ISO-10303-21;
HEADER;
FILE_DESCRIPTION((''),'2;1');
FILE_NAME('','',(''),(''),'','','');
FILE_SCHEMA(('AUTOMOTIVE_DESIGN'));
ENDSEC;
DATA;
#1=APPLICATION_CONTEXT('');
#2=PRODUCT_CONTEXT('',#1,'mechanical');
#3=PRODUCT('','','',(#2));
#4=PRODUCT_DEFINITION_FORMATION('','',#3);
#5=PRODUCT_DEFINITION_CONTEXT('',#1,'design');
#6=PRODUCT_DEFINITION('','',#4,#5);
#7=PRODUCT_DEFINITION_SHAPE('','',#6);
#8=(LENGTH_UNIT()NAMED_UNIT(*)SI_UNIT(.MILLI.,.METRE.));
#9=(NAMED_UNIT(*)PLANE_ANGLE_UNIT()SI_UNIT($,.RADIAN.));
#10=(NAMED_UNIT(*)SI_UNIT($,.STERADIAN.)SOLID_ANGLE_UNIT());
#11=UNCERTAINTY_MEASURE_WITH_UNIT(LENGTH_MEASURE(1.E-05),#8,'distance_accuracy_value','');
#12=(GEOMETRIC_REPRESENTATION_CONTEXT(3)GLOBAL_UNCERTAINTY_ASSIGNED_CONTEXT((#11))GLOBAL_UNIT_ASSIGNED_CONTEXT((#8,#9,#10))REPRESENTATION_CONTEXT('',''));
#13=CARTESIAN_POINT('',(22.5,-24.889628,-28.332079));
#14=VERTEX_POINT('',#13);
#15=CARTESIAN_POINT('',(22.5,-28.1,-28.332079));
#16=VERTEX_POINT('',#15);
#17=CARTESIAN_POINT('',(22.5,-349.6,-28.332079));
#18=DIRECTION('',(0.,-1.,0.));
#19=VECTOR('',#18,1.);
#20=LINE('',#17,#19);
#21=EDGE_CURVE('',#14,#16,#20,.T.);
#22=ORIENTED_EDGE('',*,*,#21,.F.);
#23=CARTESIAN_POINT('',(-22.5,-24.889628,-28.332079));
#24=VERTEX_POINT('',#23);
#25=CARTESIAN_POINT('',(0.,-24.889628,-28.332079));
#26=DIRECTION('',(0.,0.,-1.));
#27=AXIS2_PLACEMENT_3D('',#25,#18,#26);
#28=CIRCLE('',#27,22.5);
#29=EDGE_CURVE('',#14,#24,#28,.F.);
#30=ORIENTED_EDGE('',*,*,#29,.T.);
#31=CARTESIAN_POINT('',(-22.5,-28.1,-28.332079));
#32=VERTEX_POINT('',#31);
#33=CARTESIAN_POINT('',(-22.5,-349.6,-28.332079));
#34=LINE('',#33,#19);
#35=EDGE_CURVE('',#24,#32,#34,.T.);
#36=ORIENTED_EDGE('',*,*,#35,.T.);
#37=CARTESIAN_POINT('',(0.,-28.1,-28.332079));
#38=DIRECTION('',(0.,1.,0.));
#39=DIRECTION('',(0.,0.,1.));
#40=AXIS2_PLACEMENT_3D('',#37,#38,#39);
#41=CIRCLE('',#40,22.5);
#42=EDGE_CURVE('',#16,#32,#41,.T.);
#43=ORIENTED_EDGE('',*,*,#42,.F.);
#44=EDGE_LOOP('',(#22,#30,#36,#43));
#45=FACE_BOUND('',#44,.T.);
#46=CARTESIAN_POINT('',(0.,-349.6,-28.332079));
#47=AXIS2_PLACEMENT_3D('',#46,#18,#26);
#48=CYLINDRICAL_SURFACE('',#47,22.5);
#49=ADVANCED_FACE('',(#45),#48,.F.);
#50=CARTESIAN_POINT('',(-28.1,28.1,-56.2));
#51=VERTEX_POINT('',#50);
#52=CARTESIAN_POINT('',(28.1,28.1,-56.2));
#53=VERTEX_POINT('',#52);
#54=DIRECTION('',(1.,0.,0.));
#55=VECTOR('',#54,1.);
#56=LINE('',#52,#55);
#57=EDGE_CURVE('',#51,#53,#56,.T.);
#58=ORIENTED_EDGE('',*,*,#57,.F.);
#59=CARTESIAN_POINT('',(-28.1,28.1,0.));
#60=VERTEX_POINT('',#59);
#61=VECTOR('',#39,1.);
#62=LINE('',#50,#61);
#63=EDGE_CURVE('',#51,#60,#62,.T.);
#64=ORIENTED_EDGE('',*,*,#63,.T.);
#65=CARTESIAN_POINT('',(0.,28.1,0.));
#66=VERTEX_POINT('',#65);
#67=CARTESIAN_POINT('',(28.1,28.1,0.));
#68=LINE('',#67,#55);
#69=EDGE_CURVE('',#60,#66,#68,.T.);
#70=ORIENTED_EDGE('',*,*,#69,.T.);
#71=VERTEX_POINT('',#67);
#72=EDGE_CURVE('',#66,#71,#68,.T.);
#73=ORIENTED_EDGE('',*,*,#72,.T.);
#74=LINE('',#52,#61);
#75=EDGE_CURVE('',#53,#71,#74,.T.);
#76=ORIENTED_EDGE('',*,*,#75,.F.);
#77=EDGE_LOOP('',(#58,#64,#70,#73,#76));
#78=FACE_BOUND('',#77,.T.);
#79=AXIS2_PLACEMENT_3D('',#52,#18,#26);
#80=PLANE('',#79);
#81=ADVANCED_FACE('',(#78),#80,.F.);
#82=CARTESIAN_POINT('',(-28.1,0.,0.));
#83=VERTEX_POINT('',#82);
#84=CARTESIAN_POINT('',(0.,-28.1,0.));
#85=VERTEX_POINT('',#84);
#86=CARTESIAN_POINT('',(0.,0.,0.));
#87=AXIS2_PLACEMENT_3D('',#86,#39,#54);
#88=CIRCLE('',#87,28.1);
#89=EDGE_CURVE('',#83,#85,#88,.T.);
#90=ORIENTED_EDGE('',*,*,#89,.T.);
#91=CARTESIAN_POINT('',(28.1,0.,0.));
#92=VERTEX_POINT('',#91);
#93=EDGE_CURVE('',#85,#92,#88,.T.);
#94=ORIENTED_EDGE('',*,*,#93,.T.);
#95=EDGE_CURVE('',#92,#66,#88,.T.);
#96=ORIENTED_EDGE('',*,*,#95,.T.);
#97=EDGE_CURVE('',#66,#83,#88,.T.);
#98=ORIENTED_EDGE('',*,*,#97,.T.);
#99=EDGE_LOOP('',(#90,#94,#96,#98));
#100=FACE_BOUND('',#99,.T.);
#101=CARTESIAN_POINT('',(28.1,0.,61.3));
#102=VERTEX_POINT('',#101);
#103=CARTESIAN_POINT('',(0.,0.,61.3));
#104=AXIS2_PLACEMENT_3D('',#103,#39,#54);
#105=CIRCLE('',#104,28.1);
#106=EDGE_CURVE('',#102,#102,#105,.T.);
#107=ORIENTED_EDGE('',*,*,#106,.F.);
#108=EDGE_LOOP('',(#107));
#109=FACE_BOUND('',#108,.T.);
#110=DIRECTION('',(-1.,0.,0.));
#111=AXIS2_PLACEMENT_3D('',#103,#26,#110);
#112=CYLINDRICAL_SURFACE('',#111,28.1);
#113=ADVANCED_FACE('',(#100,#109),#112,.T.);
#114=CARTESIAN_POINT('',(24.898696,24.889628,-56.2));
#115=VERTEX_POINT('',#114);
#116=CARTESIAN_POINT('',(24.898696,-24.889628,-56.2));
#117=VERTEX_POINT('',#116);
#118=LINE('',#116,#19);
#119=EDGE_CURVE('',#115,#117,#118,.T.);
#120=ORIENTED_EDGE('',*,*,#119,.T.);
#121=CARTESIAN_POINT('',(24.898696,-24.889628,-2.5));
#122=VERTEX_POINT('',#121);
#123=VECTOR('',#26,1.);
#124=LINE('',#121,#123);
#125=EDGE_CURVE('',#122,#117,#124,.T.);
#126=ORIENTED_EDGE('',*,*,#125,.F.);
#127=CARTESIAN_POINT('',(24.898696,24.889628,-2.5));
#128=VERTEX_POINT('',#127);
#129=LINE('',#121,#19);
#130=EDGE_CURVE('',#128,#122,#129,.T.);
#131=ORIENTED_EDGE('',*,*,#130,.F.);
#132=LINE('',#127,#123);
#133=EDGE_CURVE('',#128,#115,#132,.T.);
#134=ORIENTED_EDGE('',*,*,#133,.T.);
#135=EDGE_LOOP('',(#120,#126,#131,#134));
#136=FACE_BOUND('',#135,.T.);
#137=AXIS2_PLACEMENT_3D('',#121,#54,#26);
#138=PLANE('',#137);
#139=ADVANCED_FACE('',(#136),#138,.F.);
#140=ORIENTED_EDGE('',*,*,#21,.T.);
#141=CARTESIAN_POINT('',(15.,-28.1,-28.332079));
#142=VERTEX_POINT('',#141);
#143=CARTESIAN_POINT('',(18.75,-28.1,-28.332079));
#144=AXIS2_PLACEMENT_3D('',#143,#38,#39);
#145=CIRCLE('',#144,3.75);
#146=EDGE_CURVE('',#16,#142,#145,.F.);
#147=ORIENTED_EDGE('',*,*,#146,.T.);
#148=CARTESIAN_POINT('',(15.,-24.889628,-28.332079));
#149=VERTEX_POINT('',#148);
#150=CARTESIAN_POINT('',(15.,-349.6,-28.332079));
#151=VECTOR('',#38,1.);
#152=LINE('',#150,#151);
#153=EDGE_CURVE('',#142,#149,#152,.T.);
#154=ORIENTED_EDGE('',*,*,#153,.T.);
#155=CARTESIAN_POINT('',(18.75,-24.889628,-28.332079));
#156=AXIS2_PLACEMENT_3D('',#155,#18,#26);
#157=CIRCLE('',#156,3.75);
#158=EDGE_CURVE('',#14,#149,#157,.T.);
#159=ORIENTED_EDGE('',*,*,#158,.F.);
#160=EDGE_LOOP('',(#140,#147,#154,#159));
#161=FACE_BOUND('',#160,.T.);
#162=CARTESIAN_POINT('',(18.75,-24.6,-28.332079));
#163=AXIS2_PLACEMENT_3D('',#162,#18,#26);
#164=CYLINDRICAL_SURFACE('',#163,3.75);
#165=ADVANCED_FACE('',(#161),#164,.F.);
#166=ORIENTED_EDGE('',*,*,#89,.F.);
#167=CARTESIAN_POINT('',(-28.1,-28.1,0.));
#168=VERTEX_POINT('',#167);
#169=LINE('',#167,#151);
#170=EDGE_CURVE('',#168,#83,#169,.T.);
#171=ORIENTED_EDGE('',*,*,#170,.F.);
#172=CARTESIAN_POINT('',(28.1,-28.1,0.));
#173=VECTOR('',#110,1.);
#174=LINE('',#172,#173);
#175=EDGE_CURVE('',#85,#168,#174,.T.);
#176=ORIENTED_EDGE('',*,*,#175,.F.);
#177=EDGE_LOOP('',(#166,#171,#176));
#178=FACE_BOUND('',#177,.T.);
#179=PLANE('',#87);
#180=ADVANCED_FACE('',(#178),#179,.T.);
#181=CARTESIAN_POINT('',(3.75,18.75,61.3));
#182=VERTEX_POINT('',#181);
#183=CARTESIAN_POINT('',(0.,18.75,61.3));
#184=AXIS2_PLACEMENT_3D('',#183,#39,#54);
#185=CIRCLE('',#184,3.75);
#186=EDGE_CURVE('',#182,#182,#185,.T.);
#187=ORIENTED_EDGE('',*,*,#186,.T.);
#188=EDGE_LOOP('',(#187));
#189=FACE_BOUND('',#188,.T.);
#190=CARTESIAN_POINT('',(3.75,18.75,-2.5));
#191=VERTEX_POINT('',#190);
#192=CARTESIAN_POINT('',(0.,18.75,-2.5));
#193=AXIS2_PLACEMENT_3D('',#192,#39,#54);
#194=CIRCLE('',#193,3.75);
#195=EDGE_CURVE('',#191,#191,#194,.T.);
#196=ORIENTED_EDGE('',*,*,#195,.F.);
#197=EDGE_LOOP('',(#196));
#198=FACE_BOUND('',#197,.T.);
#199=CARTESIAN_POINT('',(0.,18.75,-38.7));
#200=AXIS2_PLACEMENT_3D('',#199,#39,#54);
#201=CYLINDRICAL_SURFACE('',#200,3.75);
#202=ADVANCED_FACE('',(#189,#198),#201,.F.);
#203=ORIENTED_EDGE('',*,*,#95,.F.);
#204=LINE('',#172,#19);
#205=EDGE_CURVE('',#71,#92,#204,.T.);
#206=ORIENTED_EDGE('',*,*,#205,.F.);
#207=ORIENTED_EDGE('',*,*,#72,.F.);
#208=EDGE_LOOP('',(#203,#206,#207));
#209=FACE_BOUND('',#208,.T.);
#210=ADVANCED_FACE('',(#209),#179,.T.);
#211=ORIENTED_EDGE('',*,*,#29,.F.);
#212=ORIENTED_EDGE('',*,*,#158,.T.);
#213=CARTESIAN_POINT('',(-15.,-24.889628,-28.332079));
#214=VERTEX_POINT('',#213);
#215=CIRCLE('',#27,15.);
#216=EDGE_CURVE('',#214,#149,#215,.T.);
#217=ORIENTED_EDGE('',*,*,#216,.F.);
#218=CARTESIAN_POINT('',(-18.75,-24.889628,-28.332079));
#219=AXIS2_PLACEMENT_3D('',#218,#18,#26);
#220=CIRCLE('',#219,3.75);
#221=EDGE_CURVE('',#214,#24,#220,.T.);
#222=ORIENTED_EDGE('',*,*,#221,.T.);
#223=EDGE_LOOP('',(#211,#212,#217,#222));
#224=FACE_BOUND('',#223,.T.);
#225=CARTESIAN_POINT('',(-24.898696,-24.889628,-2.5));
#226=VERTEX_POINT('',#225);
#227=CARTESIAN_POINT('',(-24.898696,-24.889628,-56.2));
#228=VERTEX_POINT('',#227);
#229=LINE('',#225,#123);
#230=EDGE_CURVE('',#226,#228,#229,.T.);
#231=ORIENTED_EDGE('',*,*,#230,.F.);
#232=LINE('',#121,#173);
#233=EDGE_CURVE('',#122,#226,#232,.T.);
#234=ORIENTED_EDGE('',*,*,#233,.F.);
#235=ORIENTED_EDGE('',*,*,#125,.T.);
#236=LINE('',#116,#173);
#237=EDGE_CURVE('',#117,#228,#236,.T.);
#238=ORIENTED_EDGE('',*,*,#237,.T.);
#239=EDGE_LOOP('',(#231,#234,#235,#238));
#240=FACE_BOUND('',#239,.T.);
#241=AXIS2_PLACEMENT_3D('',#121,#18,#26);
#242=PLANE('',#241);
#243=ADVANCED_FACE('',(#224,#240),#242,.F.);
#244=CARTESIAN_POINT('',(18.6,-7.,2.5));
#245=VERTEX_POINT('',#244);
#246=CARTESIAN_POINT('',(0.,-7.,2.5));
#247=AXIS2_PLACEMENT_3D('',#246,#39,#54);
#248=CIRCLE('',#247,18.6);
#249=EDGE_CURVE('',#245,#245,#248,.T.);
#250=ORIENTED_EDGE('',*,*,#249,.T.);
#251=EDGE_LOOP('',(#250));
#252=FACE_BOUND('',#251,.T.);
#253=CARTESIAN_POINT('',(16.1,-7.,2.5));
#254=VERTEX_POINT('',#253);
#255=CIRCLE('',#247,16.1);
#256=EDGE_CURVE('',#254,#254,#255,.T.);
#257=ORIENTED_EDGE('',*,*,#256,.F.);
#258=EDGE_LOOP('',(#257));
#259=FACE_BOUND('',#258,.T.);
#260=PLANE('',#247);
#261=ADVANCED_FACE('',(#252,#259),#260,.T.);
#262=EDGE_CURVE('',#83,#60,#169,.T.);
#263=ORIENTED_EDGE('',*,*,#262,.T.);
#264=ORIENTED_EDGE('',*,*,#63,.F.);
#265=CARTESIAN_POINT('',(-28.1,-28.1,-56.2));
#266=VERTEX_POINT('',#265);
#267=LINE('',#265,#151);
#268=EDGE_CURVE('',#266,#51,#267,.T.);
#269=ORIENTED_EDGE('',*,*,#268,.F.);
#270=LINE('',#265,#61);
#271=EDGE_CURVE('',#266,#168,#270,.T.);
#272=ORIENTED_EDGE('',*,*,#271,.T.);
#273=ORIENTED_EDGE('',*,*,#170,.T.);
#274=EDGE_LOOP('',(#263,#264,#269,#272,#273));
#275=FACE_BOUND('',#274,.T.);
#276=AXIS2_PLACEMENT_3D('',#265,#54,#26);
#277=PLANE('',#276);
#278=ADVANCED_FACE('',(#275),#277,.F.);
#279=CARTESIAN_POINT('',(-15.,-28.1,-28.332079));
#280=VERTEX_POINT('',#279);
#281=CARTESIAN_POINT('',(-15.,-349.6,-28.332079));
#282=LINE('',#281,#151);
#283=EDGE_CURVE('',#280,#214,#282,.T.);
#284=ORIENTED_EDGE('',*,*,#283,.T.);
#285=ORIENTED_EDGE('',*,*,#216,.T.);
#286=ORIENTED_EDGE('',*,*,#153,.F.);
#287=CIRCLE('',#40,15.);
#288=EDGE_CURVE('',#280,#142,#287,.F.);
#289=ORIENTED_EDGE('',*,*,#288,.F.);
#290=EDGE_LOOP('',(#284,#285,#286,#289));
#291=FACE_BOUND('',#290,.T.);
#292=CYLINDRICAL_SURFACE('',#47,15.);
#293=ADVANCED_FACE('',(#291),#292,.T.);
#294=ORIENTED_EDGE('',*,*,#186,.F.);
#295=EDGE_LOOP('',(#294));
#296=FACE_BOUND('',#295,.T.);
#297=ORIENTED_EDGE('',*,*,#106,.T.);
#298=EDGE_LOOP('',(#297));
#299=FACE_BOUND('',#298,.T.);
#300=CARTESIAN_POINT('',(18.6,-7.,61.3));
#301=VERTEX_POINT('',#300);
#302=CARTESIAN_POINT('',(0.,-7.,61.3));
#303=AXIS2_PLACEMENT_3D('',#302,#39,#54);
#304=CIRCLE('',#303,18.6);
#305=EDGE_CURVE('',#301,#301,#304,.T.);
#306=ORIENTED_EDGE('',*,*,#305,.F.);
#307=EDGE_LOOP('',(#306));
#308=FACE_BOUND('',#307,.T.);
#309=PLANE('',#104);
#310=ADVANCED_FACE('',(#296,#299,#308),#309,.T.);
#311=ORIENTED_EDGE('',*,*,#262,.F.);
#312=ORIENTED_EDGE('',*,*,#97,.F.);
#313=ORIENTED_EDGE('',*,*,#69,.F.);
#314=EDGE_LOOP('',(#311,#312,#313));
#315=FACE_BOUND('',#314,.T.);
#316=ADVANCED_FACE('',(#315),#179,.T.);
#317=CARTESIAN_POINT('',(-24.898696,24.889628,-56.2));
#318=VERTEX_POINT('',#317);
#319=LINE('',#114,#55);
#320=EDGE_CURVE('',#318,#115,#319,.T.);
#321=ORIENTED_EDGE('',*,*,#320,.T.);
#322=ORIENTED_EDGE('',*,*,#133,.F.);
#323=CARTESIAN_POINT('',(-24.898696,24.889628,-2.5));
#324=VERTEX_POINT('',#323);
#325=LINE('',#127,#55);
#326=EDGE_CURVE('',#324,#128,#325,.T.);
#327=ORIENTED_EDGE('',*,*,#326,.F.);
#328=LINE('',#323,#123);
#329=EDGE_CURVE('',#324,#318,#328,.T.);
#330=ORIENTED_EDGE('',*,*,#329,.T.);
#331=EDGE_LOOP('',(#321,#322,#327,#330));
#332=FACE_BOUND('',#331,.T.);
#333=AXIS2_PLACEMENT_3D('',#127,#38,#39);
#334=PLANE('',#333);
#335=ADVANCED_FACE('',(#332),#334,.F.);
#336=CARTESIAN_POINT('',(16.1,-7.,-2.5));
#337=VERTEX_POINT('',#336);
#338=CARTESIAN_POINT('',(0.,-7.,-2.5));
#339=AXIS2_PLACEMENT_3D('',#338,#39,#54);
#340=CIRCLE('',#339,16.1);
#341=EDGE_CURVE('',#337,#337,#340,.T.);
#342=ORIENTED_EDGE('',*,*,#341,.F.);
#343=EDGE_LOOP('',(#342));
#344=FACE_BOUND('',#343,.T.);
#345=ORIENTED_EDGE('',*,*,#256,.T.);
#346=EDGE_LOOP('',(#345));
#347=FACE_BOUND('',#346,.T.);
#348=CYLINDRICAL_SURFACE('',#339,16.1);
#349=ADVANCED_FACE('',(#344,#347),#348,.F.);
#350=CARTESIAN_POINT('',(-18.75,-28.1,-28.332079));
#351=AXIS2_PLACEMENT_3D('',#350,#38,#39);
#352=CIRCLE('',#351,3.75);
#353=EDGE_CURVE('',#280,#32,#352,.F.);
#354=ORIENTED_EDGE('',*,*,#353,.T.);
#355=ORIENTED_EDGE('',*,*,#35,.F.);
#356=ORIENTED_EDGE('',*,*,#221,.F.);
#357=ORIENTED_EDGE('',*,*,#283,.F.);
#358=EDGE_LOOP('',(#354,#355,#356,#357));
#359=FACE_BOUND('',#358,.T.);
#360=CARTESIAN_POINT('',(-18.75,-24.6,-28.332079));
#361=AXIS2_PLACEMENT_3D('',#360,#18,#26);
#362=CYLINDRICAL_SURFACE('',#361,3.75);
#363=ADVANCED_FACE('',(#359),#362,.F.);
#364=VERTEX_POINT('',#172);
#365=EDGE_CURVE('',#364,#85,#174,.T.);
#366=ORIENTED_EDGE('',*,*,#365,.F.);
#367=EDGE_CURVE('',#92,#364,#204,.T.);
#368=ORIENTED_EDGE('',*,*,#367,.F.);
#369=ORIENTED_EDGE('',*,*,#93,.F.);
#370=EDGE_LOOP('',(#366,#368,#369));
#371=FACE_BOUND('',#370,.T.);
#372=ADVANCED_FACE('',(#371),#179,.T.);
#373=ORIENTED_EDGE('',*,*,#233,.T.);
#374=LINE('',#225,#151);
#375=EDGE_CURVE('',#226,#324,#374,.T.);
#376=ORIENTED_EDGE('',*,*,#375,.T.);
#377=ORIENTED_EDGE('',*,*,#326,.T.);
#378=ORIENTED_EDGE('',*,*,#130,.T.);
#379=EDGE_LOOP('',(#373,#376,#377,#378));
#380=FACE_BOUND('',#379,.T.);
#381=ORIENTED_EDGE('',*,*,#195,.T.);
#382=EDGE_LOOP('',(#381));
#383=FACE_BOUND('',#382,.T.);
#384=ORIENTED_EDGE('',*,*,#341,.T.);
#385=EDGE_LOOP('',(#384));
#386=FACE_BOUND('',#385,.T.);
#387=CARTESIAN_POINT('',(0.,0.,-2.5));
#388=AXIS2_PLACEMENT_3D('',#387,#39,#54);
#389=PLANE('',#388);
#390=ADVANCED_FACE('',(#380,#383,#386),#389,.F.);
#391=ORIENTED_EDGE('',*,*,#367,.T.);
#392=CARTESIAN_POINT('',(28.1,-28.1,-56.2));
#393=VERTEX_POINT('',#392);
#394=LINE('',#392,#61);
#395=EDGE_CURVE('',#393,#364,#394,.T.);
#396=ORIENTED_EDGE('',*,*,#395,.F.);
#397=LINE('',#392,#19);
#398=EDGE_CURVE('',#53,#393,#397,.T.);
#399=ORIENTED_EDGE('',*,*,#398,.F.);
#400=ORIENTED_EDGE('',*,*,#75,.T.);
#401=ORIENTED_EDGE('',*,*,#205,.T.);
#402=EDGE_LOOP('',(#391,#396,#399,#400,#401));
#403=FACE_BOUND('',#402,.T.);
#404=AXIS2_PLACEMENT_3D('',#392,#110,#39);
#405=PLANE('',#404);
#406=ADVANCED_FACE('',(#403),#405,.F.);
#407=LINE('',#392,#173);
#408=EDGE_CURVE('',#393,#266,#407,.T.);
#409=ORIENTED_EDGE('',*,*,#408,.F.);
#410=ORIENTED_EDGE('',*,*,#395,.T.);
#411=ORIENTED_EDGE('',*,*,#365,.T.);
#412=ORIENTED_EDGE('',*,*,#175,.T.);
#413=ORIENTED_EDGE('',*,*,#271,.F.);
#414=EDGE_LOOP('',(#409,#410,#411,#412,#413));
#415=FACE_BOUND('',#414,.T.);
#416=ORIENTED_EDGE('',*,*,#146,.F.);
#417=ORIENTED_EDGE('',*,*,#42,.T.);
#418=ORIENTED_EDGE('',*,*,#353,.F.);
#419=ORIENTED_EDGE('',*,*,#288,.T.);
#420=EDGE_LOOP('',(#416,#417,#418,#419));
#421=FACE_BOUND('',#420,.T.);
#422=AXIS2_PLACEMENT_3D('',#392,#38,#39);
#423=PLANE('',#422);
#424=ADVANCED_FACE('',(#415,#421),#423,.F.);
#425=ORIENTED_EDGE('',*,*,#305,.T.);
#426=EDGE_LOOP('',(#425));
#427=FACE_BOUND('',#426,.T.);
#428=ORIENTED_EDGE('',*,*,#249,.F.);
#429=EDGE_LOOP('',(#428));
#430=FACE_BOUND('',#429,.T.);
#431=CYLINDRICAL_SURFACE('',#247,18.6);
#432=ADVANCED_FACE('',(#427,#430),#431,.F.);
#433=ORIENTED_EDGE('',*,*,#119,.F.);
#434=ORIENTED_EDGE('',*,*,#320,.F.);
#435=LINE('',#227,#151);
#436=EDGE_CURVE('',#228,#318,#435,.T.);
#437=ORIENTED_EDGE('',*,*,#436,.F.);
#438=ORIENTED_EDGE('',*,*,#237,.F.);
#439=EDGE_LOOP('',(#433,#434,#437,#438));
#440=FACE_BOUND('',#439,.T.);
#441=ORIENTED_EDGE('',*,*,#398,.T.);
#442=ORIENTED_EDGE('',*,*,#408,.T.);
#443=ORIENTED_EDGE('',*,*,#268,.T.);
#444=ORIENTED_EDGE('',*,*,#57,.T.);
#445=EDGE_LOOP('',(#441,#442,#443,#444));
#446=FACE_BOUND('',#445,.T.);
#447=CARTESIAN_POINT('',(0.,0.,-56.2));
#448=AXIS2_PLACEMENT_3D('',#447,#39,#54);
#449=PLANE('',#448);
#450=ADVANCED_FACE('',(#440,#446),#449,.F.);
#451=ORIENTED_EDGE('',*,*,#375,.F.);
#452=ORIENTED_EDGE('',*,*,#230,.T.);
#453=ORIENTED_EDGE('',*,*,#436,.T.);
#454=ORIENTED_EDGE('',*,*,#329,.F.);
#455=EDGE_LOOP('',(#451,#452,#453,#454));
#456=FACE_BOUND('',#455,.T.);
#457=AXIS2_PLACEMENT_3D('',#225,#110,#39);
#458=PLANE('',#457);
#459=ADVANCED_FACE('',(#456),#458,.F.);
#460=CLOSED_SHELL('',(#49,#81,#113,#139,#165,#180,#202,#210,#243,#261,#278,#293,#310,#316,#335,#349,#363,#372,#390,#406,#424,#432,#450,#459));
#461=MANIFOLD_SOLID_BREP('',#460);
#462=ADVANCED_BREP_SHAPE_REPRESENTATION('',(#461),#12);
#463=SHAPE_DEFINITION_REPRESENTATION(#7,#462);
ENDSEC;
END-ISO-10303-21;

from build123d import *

# Parameters (mm, degrees)
SKETCH1_R           = 28.1
BOSS_EXTRUDE2_DEPTH = 61.3
SKETCH3_R           = 18.6
CUT_EXTRUDE2_DEPTH  = 58.8
SKETCH4_W           = 56.2
SKETCH4_H           = 56.2
BOSS_EXTRUDE3_DEPTH = 56.2
SKETCH5_R           = 16.1
CUT_EXTRUDE4_DEPTH  = 5
SKETCH6_W           = 49.797391422
SKETCH6_H           = 49.779255452
CUT_EXTRUDE5_DEPTH  = 53.7
SKETCH7_R           = 28.1
BOSS_EXTRUDE4_DEPTH = 321.5
CUT_EXTRUDE6_DEPTH  = 10
SKETCH9_R           = 3
CUT_EXTRUDE7_DEPTH  = 1
SKETCH10_R          = 6.025
CUT_EXTRUDE8_DEPTH  = 0.1
SKETCH18_R          = 3.75
CUT_EXTRUDE9_DEPTH  = 100
SKETCH19_R          = 3.75
CUT_EXTRUDE11_DEPTH = 325
SKETCH20_W          = 86.001348001
SKETCH20_H          = 379.283348588
CUT_EXTRUDE16_DEPTH = 171.5


with BuildPart() as part:
    # Sketch1 → Boss-Extrude2 (new body)
    with BuildSketch(Plane.XY):
        Circle(SKETCH1_R)
    extrude(amount=BOSS_EXTRUDE2_DEPTH)

    # Sketch3 → Cut-Extrude2 (cut)
    with BuildSketch(Plane.XY.offset(61.3)):
        with Locations((0, -7)):
            Circle(SKETCH3_R)
    extrude(amount=-CUT_EXTRUDE2_DEPTH, mode=Mode.SUBTRACT)

    # Sketch4 → Boss-Extrude3 (add)
    with BuildSketch(Plane(origin=(0, 0, 0), x_dir=(-1, 0, 0), z_dir=(0, 0, -1))):
        Rectangle(SKETCH4_W, SKETCH4_H)
    extrude(amount=BOSS_EXTRUDE3_DEPTH)

    # Sketch5 → Cut-Extrude4 (cut)
    with BuildSketch(Plane.XY.offset(2.5)):
        with Locations((0, -7)):
            Circle(SKETCH5_R)
    extrude(amount=-CUT_EXTRUDE4_DEPTH, mode=Mode.SUBTRACT)

    # Sketch6 → Cut-Extrude5 (cut)
    with BuildSketch(Plane(origin=(0, 0, -56.2), x_dir=(-1, 0, 0), z_dir=(0, 0, -1))):
        Rectangle(SKETCH6_W, SKETCH6_H)
    extrude(amount=-CUT_EXTRUDE5_DEPTH, mode=Mode.SUBTRACT)

    # Sketch7 → Boss-Extrude4 (add)
    with BuildSketch(Plane(origin=(0, -28.1, 0), x_dir=(-1, 0, 0), z_dir=(0, -1, 0))):
        with Locations(Location((0, 28.1, 0), (0, 0, 90))):
            Circle(SKETCH7_R)
    extrude(amount=BOSS_EXTRUDE4_DEPTH)

    # Sketch8 → Cut-Extrude6 (cut)
    with BuildSketch(Plane(origin=(0, -349.6, 0), x_dir=(-1, 0, 0), z_dir=(0, -1, 0))):
        with BuildLine():
            Line((-1.658312395, 25.832078896), (1.658312395, 25.832078896))
            ThreePointArc((1.658312395, 25.832078896), (3, 28.332078896), (1.658312395, 30.832078896))
            Line((1.658312395, 30.832078896), (-1.658312395, 30.832078896))
            ThreePointArc((-1.658312395, 30.832078896), (-3, 28.332078896), (-1.658312395, 25.832078896))
        make_face()
    extrude(amount=-CUT_EXTRUDE6_DEPTH, mode=Mode.SUBTRACT)

    # Sketch9 → Cut-Extrude7 (cut)
    with BuildSketch(Plane(origin=(0, -349.6, 0), x_dir=(-1, 0, 0), z_dir=(0, -1, 0))):
        with Locations(Location((0, 28.332078896, 0), (0, 0, 90))):
            Circle(SKETCH9_R)
    extrude(amount=-CUT_EXTRUDE7_DEPTH, mode=Mode.SUBTRACT)

    # Sketch10 → Cut-Extrude8 (cut)
    with BuildSketch(Plane(origin=(0, -349.6, 0), x_dir=(-1, 0, 0), z_dir=(0, -1, 0))):
        with Locations(Location((0, 28.332078896, 0), (0, 0, 90))):
            Circle(SKETCH10_R)
    extrude(amount=-CUT_EXTRUDE8_DEPTH, mode=Mode.SUBTRACT)

    # Cut-Sweep4: sweep along a path in Sketch15
    with BuildLine(Plane(origin=(0, -349.6, 0), x_dir=(-1, 0, 0), z_dir=(0, -1, 0))) as cut_sweep4_path:
        ThreePointArc((15, 28.332078896), (0, 43.332078896), (-15, 28.332078896))
    # 3DSketch2 → Cut-Sweep4 (sweep, cut)
    with BuildSketch(Plane(origin=(-15, -349.6, -28.332078896), x_dir=(-0.022748965612757834, 0.999741208795331, 0), z_dir=(0, 0, 1))):
        Polygon((0, 0), (0.170617242, 7.498059066), (329.685319661, 0), (329.514702419, -7.498059066), align=None)
    sweep(path=cut_sweep4_path.line, mode=Mode.SUBTRACT)

    # Sketch18 → Cut-Extrude9 (cut)
    with BuildSketch(Plane.XY.offset(61.3)):
        with Locations((0, 18.75)):
            Circle(SKETCH18_R)
    extrude(amount=-CUT_EXTRUDE9_DEPTH, mode=Mode.SUBTRACT)

    # Sketch19 → Cut-Extrude11 (cut)
    with BuildSketch(Plane(origin=(0, -349.6, 0), x_dir=(-1, 0, 0), z_dir=(0, -1, 0))):
        with Locations((-18.75, 28.332078896)):
            Circle(SKETCH19_R)
        with Locations((18.75, 28.332078896)):
            Circle(SKETCH19_R)
    extrude(amount=-CUT_EXTRUDE11_DEPTH, mode=Mode.SUBTRACT)

    # Sketch20 → Cut-Extrude16 (cut)
    with BuildSketch(Plane(origin=(0, 0, -56.2), x_dir=(-1, 0, 0), z_dir=(0, 0, -1))):
        with Locations((14.900674001, -217.741674294)):
            Rectangle(SKETCH20_W, SKETCH20_H)
    extrude(amount=-CUT_EXTRUDE16_DEPTH, mode=Mode.SUBTRACT)


solid = part.part
